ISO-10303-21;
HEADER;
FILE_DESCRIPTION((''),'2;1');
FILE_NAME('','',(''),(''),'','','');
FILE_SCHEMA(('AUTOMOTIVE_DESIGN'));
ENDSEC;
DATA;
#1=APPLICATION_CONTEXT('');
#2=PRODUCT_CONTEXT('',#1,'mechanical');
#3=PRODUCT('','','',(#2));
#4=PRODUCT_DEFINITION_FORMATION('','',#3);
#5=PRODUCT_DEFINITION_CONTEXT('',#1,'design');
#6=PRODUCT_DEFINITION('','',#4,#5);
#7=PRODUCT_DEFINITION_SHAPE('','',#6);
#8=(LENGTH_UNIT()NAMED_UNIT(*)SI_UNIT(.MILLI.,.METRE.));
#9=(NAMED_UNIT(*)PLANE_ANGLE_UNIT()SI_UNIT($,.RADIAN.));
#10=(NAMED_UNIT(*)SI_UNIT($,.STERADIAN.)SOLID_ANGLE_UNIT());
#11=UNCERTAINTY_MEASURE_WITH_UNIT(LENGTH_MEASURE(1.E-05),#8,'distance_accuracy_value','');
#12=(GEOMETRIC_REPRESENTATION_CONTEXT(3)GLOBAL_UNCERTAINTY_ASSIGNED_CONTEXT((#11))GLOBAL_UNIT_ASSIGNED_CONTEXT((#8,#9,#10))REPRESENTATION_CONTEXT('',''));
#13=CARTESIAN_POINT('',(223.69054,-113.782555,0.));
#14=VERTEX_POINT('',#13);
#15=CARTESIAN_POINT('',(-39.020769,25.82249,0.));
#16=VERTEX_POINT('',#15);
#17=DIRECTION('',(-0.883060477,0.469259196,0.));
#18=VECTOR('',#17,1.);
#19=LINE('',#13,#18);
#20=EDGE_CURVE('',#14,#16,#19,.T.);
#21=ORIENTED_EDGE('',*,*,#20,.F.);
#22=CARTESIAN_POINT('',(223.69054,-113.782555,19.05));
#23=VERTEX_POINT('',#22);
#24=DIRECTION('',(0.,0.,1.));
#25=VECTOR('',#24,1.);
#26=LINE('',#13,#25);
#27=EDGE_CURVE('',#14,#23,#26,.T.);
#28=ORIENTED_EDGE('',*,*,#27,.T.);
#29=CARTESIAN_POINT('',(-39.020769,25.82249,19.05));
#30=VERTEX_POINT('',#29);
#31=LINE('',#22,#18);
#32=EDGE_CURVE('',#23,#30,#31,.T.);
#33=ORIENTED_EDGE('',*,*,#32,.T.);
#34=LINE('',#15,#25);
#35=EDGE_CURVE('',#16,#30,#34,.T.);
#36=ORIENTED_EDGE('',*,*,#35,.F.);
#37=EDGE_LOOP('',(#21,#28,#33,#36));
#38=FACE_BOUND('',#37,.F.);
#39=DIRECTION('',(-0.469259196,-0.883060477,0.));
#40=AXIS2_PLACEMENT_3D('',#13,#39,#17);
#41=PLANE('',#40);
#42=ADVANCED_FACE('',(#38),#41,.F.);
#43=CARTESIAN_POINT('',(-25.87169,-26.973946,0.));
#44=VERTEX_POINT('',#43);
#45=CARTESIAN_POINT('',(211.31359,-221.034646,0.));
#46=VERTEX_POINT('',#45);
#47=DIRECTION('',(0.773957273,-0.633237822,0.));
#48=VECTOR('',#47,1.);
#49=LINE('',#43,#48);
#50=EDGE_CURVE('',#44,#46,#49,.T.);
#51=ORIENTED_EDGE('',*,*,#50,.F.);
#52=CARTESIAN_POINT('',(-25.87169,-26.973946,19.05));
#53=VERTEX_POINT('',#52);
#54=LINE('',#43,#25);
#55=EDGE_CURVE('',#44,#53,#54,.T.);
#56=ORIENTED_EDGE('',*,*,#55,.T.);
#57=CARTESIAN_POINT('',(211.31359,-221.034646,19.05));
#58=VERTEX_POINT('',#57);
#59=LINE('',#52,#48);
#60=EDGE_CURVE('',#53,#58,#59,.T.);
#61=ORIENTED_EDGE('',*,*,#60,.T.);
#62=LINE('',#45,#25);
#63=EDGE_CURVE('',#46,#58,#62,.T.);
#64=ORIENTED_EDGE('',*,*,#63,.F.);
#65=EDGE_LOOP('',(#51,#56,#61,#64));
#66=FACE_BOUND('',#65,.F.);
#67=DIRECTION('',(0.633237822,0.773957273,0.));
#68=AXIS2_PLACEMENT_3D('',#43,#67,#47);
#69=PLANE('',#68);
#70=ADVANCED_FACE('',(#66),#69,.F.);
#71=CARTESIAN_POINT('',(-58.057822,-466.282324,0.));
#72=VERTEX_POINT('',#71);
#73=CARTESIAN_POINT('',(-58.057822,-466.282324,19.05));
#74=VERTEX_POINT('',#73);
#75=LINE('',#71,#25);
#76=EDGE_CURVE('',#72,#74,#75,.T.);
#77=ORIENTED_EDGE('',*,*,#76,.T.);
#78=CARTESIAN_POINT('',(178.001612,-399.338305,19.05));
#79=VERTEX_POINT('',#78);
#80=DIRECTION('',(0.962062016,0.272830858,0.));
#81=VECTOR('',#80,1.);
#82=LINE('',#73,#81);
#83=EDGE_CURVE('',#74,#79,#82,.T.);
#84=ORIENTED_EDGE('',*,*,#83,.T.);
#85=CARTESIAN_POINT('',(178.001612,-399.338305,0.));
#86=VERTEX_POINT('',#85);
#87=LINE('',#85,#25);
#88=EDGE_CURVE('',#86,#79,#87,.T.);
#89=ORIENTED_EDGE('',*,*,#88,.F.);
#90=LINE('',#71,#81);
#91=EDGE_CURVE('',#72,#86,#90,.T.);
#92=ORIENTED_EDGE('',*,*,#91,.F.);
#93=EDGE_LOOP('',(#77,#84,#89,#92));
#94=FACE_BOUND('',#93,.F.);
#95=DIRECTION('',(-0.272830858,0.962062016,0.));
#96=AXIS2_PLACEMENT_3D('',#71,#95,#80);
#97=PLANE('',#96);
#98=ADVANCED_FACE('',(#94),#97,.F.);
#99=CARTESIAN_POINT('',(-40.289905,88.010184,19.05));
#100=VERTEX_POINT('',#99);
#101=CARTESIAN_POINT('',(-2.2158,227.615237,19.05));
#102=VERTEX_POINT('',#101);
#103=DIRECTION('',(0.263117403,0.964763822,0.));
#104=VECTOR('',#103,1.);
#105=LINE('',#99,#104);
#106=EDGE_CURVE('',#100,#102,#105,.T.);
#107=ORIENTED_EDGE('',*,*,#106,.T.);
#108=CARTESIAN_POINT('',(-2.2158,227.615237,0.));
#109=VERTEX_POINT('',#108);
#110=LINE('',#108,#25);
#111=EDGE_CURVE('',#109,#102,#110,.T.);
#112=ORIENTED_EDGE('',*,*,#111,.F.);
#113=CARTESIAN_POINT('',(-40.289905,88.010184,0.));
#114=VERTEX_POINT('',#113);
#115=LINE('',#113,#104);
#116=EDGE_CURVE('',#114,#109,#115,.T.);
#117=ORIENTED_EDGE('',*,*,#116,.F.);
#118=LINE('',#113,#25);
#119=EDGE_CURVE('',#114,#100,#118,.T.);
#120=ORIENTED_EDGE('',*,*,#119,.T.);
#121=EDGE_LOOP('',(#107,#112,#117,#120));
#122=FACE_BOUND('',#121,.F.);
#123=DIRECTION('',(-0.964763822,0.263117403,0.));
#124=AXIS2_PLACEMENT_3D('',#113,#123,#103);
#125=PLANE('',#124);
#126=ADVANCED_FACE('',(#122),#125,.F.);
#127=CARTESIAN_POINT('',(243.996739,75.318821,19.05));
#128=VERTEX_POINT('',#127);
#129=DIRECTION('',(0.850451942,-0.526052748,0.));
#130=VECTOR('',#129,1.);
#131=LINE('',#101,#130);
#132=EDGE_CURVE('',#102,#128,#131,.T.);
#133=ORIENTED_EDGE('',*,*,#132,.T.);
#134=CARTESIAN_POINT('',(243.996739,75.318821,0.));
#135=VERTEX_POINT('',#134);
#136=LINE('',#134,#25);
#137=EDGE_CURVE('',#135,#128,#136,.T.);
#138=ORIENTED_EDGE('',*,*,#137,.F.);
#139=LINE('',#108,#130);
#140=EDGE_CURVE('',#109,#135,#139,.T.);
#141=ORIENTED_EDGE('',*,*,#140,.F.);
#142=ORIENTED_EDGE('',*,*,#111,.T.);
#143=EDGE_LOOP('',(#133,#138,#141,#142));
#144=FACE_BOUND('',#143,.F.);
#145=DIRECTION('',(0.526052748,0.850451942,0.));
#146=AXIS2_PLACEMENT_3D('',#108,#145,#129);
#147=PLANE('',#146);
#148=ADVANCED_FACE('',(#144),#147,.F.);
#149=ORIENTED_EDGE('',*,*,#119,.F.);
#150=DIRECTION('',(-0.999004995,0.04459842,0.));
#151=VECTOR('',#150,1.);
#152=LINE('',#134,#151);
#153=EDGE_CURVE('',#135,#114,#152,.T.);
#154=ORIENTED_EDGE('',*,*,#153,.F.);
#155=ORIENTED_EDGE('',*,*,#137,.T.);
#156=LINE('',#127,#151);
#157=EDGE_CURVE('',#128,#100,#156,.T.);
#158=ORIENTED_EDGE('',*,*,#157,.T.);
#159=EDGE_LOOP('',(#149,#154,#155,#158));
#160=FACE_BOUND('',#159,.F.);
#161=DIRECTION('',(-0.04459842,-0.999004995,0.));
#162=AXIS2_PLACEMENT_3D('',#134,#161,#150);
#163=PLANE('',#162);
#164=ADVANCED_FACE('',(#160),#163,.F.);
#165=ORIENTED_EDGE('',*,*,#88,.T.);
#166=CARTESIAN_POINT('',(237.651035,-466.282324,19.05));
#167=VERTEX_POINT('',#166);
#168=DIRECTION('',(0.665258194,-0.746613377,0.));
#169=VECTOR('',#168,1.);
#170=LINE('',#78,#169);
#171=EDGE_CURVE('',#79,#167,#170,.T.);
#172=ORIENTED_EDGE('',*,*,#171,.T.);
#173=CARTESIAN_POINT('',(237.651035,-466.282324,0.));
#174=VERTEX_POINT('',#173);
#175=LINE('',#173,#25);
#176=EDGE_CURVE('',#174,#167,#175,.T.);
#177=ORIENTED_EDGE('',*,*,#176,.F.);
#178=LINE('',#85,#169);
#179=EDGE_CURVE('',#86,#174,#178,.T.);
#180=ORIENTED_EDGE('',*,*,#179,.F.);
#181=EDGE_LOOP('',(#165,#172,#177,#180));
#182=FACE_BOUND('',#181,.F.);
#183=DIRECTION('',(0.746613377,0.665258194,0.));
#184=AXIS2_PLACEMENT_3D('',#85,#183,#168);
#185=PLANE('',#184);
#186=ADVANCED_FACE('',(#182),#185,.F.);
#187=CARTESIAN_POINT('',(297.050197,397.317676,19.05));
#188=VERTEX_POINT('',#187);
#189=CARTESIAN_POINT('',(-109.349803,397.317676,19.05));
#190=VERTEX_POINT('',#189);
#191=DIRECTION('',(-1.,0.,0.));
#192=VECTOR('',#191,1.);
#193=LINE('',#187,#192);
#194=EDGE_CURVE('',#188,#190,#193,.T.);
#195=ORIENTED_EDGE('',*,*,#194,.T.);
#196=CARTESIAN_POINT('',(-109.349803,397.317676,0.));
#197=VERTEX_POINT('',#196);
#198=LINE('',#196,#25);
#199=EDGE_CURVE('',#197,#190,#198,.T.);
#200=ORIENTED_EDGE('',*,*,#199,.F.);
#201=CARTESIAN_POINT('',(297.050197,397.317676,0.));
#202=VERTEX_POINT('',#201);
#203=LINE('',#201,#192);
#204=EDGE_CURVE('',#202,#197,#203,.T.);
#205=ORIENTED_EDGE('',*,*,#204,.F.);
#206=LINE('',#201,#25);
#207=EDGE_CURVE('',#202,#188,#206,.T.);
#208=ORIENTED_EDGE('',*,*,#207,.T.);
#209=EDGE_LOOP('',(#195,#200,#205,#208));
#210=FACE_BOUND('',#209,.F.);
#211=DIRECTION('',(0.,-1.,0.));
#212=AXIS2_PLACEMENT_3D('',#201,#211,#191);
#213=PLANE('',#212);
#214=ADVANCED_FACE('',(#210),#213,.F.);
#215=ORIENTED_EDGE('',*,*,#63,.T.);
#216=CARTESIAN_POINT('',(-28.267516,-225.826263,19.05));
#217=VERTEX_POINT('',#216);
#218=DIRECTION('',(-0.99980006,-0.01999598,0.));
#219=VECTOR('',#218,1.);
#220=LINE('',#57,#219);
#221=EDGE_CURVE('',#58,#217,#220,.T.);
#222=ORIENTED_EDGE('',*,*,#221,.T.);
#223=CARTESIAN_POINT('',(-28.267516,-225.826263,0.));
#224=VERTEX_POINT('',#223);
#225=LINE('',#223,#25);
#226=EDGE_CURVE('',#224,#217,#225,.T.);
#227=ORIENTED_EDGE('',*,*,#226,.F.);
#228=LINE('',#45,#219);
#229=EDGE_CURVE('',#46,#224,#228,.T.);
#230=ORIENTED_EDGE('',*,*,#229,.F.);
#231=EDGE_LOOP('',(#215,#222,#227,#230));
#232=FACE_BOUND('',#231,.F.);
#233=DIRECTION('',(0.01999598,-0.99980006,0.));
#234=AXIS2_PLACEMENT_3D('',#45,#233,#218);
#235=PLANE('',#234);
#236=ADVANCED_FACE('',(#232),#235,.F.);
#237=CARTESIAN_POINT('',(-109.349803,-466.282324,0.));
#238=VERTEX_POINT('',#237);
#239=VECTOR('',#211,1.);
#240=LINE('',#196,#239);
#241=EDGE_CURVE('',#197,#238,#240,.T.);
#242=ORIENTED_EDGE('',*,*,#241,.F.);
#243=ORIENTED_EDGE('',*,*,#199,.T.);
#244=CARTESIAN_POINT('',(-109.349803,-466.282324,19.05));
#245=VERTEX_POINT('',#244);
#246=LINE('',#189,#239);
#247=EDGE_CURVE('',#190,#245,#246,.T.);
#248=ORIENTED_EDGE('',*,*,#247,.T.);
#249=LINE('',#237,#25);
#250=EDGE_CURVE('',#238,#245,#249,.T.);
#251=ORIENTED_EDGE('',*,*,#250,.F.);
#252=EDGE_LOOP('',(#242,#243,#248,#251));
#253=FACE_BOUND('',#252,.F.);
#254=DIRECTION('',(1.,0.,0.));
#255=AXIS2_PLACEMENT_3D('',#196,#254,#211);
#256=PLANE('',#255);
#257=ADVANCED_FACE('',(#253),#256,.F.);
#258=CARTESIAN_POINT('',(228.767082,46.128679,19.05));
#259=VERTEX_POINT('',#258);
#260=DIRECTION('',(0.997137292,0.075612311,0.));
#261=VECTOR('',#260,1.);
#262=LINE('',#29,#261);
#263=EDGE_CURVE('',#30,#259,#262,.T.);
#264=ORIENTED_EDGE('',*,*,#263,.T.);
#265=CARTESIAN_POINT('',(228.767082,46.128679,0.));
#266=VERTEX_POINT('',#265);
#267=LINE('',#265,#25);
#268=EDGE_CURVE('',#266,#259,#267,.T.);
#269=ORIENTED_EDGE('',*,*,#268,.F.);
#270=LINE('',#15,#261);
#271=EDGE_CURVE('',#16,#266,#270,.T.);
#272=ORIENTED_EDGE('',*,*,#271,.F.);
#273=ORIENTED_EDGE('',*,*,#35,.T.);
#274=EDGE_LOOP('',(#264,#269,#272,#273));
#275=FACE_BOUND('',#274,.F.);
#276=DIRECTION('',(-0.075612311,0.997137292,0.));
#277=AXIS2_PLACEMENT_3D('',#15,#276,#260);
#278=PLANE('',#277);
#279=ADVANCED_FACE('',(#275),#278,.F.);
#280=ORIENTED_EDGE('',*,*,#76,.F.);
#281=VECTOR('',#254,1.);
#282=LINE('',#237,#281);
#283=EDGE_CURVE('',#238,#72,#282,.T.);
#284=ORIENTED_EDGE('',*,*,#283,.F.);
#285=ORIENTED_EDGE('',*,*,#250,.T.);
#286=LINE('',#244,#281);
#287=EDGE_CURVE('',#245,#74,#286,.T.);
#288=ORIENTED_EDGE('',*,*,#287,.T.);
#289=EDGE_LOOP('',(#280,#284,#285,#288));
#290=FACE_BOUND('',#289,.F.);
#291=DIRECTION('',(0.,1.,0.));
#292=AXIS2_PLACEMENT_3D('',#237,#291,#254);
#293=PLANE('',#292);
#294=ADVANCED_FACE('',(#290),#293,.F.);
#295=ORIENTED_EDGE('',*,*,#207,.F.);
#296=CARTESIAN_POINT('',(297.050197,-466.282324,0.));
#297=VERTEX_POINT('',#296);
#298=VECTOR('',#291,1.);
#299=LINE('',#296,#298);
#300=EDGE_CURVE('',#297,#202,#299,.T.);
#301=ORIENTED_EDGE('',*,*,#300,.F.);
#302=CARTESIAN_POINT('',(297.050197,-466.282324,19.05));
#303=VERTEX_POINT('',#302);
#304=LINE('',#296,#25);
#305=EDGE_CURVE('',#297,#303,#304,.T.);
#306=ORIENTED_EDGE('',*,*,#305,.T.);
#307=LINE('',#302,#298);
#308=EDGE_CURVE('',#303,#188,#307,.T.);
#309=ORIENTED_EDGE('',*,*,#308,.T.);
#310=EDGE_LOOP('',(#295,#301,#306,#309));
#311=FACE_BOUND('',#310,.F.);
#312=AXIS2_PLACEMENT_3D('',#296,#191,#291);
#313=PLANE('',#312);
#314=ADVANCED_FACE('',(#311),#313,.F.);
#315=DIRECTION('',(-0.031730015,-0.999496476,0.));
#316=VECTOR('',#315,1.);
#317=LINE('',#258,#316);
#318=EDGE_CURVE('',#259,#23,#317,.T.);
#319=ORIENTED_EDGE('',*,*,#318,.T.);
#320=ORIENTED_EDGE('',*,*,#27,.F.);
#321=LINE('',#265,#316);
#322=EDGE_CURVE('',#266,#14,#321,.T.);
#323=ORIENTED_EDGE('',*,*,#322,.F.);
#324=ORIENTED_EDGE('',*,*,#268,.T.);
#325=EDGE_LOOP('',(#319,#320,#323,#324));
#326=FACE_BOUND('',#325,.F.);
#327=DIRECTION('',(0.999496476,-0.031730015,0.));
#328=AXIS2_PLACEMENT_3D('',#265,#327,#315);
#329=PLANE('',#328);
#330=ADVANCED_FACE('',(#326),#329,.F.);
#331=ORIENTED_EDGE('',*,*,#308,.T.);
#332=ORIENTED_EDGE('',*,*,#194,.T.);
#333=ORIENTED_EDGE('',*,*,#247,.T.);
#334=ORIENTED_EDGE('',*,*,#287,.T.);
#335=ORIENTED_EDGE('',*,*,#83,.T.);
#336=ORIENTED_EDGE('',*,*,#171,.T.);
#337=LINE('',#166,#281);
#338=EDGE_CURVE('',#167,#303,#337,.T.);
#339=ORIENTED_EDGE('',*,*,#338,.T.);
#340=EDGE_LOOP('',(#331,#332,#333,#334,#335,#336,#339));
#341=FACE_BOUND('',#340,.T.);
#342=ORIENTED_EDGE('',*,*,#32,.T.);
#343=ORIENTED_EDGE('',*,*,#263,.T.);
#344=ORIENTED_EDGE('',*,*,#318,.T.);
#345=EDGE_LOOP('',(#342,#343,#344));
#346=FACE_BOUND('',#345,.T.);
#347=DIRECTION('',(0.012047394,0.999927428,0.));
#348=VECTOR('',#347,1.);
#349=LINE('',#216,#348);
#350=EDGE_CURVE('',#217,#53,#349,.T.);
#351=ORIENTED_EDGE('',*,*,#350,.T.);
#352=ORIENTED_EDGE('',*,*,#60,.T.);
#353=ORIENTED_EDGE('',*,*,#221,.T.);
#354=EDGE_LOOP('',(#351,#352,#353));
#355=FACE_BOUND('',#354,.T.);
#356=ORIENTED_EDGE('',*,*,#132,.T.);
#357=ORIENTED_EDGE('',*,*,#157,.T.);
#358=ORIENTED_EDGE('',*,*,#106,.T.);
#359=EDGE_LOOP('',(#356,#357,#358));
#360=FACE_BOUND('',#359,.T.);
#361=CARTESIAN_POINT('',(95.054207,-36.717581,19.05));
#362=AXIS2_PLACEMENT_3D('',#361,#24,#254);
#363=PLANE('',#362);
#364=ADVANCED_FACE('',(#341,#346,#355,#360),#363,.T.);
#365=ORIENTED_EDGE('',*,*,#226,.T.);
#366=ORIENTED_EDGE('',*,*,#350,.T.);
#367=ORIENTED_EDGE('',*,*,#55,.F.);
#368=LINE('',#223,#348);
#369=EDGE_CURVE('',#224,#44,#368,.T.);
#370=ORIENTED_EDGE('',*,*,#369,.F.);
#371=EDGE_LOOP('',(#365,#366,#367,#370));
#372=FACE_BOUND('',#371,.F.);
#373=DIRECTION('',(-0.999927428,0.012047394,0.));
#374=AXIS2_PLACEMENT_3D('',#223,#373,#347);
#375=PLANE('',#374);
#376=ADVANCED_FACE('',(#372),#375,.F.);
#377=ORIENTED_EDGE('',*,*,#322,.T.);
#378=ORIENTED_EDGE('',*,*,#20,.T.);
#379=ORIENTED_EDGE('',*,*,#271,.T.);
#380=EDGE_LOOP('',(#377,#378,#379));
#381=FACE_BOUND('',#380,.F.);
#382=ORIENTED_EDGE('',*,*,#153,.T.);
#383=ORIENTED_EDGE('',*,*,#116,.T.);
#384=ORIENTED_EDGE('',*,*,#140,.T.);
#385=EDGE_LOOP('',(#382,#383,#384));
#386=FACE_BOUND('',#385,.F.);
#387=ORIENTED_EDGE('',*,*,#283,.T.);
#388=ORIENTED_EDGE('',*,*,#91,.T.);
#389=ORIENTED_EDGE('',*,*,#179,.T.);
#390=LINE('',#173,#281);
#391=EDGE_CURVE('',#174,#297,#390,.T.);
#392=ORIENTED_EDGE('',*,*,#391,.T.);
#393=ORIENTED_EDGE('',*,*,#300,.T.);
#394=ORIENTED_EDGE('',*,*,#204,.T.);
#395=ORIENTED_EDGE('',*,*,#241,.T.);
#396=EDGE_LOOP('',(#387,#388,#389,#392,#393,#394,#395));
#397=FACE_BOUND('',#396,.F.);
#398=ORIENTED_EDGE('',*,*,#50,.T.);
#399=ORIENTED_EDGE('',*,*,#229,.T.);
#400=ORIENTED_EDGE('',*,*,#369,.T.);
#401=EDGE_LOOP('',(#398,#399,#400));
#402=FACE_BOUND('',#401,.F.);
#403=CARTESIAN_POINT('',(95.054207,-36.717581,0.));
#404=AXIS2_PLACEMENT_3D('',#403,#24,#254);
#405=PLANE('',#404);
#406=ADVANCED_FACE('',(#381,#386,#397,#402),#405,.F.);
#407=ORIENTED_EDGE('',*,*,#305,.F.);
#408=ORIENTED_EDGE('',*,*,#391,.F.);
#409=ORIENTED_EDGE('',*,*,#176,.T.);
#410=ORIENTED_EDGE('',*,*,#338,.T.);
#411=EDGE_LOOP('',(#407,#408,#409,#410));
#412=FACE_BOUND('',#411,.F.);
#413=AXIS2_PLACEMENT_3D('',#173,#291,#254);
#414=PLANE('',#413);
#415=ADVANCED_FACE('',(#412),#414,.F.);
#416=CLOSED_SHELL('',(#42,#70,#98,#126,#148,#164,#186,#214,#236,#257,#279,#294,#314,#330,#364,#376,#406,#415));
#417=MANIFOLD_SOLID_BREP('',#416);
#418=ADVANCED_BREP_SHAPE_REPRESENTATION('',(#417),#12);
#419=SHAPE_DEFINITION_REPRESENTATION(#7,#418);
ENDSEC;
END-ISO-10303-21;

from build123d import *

# Parameters (mm, degrees)
F1_DEPTH = 19.05


with BuildPart() as f1:
    # F0 (on Top) → F1 (new body)
    with BuildSketch(Plane.XY):
        Polygon((297.050197, 397.317676), (-109.349803, 397.317676), (-109.349803, -466.282324), (-58.057822, -466.282324), (178.001612, -399.338305), (237.651035, -466.282324), (297.050197, -466.282324), align=None)
        Polygon((-28.267516, -225.826263), (-25.87169, -26.973946), (211.31359, -221.034646), align=None, mode=Mode.SUBTRACT)
        Polygon((228.767082, 46.128679), (223.69054, -113.782555), (-39.020769, 25.82249), align=None, mode=Mode.SUBTRACT)
        Polygon((-2.2158, 227.615237), (243.996739, 75.318821), (-40.289905, 88.010184), align=None, mode=Mode.SUBTRACT)
    extrude(amount=F1_DEPTH)


solid = f1.part
